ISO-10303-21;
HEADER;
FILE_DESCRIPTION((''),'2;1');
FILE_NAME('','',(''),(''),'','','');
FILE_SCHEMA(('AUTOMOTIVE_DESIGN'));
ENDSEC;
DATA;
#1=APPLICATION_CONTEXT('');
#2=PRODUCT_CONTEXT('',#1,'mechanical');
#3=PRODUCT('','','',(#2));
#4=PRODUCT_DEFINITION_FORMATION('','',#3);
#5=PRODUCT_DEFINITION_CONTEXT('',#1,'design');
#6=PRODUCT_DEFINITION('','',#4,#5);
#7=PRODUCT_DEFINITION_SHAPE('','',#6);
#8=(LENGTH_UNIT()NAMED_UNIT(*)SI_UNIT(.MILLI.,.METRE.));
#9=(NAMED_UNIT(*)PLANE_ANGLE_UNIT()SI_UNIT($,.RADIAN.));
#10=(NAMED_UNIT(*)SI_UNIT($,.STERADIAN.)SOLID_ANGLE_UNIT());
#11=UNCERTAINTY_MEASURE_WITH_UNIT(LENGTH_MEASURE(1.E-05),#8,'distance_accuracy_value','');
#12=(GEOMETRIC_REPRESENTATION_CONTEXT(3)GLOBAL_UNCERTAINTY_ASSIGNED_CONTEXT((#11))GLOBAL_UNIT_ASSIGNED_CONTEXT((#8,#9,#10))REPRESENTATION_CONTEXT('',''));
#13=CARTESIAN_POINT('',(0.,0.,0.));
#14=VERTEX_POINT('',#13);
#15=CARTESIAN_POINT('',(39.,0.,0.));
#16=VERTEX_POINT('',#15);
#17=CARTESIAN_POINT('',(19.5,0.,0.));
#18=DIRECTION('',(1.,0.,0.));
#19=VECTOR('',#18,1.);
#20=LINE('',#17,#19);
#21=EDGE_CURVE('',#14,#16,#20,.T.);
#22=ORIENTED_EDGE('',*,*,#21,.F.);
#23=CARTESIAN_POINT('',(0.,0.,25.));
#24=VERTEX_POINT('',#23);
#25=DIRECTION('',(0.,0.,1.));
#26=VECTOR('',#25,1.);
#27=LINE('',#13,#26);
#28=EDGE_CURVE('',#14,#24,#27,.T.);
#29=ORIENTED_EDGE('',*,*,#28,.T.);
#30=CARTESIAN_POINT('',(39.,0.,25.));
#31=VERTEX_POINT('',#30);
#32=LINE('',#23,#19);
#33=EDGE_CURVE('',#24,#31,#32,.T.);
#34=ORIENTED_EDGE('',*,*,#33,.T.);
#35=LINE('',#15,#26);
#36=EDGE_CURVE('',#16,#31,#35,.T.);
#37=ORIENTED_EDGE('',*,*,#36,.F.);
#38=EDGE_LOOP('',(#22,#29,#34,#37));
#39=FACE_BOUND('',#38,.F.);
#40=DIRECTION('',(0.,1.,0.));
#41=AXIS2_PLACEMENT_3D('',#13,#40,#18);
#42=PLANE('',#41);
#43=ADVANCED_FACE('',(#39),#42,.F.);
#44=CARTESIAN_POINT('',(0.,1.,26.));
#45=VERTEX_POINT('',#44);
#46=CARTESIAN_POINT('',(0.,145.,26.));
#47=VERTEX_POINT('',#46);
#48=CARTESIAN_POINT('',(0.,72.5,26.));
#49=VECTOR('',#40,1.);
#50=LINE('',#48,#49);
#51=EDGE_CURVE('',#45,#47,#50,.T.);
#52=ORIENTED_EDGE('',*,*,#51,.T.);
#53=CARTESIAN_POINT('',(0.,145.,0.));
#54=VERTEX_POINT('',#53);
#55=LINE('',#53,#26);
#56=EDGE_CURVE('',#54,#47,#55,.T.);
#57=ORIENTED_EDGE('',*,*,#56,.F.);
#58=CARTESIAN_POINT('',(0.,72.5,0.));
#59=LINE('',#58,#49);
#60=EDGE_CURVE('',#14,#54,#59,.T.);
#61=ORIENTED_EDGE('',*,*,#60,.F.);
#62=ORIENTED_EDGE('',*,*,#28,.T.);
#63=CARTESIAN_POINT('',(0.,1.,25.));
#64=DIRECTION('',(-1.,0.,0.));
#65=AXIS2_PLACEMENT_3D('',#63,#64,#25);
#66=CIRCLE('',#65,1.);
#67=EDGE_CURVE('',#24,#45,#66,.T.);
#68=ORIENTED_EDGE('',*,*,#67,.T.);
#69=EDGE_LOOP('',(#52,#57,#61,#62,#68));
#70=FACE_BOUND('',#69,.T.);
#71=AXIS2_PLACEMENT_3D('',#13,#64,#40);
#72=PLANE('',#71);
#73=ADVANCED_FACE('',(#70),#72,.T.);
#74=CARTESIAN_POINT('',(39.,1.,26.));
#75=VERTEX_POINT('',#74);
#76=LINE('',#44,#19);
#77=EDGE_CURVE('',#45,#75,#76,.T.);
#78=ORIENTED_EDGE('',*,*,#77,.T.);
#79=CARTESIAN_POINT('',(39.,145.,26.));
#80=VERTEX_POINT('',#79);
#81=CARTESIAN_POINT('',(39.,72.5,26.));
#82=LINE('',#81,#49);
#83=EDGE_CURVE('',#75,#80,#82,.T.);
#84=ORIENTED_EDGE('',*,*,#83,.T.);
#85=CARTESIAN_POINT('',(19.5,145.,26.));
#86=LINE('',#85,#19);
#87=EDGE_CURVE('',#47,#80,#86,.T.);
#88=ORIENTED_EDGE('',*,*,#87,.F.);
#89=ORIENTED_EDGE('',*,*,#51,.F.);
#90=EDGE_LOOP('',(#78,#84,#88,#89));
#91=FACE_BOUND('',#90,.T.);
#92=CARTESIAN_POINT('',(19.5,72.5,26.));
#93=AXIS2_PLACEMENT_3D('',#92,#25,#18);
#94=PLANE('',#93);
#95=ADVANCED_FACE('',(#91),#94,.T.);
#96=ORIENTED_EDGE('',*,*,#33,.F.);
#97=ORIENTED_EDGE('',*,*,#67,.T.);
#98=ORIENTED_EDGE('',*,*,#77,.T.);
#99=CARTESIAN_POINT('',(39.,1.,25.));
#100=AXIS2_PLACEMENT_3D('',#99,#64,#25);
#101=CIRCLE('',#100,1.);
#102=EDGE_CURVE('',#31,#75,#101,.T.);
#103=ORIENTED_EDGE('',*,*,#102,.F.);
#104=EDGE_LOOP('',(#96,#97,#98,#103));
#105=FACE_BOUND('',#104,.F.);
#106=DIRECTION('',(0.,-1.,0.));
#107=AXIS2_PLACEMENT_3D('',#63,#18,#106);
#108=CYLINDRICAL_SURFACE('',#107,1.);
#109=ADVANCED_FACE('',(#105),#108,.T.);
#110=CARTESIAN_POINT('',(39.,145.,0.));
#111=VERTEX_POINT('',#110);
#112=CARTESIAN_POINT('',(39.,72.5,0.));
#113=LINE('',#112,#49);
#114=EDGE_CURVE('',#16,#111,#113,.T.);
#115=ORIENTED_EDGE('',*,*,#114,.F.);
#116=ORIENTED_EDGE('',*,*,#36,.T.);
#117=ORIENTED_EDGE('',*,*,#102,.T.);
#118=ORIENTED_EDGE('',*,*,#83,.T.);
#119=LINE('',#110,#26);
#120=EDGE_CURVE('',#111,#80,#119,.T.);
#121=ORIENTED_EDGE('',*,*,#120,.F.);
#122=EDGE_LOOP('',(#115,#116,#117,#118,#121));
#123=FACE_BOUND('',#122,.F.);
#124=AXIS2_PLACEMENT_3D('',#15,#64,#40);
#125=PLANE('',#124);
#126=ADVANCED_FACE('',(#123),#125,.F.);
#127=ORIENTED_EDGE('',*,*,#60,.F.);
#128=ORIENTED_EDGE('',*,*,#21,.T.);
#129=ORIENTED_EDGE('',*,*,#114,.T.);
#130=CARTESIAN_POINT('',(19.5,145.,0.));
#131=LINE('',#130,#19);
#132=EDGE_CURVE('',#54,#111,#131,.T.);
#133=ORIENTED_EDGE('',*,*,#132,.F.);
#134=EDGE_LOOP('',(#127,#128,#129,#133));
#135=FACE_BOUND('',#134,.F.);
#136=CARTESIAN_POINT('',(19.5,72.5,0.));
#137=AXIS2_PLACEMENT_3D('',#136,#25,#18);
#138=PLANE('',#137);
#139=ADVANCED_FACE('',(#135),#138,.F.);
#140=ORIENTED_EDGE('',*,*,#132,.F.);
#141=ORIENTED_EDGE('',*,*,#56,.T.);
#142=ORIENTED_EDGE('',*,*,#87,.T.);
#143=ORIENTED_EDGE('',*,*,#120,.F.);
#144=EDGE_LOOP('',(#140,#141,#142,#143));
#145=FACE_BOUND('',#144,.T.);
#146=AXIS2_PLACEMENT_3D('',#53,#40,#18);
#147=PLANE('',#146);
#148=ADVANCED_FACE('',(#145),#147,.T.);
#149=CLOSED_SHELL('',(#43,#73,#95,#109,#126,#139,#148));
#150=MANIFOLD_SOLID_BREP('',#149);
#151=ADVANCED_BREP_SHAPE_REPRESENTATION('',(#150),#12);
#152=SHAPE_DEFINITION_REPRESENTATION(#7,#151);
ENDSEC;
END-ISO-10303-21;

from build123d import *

# Parameters (mm, degrees)
BOX_W     = 39
BOX_H     = 145
BOX_DEPTH = 26
FILLET_R  = 1


with BuildPart() as part:
    # Box → Box (new body)
    with BuildSketch(Plane.XY):
        with Locations((19.5, 72.5)):
            Rectangle(BOX_W, BOX_H)
    extrude(amount=BOX_DEPTH)

    # Fillet
    fillet_edges = [part.edges().sort_by_distance(p)[0] for p in [
        (19.5, 0, 26),
    ]]
    fillet(fillet_edges, radius=FILLET_R)


solid = part.part
